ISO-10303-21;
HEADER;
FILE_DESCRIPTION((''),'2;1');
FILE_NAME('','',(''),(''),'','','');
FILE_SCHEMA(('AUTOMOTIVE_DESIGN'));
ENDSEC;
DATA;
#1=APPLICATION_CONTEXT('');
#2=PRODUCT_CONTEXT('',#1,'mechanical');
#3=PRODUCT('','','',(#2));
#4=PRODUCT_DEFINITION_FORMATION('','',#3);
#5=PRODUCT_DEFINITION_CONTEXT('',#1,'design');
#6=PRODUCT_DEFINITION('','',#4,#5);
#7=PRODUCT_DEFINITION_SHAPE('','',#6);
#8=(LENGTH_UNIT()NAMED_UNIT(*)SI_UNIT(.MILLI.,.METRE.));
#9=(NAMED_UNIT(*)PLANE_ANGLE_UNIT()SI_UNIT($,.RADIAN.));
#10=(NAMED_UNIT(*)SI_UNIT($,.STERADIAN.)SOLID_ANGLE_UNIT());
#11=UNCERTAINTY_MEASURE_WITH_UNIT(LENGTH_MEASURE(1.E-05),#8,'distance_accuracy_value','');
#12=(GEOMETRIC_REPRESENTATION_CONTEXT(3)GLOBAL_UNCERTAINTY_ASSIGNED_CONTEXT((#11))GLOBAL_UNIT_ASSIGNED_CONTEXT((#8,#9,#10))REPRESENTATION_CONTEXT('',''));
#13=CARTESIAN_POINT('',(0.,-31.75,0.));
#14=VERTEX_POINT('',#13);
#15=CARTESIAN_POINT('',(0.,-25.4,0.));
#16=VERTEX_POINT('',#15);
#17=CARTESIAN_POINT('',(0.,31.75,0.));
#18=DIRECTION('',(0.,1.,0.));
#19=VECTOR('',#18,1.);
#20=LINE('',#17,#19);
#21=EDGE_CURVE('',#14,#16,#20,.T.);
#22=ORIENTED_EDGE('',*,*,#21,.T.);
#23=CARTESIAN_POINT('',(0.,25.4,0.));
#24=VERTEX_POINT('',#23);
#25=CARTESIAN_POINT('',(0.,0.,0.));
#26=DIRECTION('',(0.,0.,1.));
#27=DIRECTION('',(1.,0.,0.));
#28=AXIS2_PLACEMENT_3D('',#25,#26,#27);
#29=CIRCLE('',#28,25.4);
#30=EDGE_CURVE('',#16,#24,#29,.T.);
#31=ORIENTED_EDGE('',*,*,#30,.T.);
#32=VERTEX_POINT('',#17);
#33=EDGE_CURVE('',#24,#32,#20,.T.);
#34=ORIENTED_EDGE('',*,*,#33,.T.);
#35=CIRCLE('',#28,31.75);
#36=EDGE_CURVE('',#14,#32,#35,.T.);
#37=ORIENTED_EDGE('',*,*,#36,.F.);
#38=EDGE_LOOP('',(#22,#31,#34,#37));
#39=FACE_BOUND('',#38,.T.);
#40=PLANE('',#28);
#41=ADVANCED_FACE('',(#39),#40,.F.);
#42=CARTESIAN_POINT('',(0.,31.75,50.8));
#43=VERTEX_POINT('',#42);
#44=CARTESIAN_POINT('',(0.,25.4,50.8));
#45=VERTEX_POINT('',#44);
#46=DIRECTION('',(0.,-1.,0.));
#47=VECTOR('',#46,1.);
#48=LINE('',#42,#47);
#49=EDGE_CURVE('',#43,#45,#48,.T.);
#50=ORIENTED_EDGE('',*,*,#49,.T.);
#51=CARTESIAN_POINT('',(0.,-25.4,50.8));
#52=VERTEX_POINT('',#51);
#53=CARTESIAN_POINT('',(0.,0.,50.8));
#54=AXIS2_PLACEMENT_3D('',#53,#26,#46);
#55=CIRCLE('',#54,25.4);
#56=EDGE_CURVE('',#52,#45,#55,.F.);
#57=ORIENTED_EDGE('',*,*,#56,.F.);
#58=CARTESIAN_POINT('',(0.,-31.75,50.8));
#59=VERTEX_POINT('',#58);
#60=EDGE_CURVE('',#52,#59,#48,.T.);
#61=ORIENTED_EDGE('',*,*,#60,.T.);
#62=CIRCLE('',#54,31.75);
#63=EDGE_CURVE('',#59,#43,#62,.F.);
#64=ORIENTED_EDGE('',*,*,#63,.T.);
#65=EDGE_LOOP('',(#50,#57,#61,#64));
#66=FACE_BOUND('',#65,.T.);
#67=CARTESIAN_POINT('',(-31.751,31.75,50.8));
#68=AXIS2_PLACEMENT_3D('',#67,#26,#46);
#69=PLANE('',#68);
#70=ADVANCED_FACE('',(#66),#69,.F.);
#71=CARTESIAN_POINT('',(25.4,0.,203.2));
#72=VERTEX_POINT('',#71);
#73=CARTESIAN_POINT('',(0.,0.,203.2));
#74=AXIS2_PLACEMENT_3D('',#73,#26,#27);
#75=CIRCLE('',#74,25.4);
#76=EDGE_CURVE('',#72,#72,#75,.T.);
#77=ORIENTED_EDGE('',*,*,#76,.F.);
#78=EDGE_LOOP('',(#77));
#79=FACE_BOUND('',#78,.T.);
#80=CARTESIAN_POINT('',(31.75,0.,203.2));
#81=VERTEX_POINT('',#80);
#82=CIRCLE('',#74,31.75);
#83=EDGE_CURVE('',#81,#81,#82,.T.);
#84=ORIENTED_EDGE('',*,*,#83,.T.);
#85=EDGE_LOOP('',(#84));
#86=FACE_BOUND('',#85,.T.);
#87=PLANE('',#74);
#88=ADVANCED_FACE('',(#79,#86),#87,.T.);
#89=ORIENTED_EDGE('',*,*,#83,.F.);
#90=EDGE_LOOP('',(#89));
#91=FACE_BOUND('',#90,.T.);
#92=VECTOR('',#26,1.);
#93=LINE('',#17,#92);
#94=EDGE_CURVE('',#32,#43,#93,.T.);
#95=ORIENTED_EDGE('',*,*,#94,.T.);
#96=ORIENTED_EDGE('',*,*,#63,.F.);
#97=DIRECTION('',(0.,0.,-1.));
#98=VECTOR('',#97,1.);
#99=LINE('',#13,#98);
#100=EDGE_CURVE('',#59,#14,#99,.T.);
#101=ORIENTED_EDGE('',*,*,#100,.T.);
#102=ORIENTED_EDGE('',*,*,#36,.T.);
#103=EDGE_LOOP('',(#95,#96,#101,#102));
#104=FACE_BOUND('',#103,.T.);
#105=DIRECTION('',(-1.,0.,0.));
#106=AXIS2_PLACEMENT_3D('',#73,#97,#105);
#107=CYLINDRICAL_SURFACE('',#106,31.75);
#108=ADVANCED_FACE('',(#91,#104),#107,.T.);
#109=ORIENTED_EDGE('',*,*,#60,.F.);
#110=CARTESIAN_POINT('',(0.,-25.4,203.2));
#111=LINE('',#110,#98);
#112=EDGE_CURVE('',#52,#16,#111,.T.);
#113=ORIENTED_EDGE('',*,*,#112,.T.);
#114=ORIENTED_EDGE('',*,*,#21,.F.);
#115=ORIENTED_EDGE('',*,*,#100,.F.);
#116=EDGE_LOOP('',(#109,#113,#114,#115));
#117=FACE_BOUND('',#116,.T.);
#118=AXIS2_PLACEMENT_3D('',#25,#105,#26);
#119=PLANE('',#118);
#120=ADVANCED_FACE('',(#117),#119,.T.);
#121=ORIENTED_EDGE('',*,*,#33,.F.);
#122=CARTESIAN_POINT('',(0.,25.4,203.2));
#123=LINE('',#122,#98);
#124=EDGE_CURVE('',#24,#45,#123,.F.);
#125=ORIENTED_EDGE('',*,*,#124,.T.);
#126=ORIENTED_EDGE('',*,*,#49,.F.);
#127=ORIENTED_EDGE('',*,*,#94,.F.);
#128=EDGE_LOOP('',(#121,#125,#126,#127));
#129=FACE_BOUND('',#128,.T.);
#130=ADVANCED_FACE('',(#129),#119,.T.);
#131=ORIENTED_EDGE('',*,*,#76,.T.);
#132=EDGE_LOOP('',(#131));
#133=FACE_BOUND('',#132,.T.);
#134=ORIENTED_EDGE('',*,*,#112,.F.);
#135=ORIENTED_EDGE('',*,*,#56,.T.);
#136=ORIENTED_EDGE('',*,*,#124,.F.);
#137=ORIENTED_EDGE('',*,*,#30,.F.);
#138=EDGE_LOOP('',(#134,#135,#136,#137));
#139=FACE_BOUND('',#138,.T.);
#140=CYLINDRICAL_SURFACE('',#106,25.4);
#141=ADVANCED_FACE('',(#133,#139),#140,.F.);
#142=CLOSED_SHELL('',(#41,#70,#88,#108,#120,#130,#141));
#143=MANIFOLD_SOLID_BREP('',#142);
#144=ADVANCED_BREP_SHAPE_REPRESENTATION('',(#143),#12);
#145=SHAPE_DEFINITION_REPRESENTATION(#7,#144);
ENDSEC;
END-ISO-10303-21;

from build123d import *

# Parameters (mm, degrees)
SKETCH1_R           = 31.75
SKETCH1_R_2         = 25.4
BOSS_EXTRUDE1_DEPTH = 203.2
CUT_EXTRUDE1_REACH  = 210.102
SKETCH2_W           = 50.8
SKETCH2_H           = 63.5


with BuildPart() as part:
    # Sketch1 → Boss-Extrude1 (new body)
    with BuildSketch(Plane.XY):
        Circle(SKETCH1_R)
        Circle(SKETCH1_R_2, mode=Mode.SUBTRACT)
    extrude(amount=BOSS_EXTRUDE1_DEPTH)

    # Sketch2 → Cut-Extrude1 (cut, up to next)
    with BuildSketch(Plane(origin=(0, 0, 0), x_dir=(0, 0, -1), z_dir=(1, 0, 0)), mode=Mode.PRIVATE) as cut_extrude1_sk1:
        with Locations((-25.4, 0)):
            Rectangle(SKETCH2_W, SKETCH2_H)
    cut_extrude1_tool1 = extrude(cut_extrude1_sk1.sketch, amount=-CUT_EXTRUDE1_REACH, mode=Mode.PRIVATE) & part.part
    add(cut_extrude1_tool1.solids().sort_by_distance((0, 0, 25.4))[0], mode=Mode.SUBTRACT)


solid = part.part
